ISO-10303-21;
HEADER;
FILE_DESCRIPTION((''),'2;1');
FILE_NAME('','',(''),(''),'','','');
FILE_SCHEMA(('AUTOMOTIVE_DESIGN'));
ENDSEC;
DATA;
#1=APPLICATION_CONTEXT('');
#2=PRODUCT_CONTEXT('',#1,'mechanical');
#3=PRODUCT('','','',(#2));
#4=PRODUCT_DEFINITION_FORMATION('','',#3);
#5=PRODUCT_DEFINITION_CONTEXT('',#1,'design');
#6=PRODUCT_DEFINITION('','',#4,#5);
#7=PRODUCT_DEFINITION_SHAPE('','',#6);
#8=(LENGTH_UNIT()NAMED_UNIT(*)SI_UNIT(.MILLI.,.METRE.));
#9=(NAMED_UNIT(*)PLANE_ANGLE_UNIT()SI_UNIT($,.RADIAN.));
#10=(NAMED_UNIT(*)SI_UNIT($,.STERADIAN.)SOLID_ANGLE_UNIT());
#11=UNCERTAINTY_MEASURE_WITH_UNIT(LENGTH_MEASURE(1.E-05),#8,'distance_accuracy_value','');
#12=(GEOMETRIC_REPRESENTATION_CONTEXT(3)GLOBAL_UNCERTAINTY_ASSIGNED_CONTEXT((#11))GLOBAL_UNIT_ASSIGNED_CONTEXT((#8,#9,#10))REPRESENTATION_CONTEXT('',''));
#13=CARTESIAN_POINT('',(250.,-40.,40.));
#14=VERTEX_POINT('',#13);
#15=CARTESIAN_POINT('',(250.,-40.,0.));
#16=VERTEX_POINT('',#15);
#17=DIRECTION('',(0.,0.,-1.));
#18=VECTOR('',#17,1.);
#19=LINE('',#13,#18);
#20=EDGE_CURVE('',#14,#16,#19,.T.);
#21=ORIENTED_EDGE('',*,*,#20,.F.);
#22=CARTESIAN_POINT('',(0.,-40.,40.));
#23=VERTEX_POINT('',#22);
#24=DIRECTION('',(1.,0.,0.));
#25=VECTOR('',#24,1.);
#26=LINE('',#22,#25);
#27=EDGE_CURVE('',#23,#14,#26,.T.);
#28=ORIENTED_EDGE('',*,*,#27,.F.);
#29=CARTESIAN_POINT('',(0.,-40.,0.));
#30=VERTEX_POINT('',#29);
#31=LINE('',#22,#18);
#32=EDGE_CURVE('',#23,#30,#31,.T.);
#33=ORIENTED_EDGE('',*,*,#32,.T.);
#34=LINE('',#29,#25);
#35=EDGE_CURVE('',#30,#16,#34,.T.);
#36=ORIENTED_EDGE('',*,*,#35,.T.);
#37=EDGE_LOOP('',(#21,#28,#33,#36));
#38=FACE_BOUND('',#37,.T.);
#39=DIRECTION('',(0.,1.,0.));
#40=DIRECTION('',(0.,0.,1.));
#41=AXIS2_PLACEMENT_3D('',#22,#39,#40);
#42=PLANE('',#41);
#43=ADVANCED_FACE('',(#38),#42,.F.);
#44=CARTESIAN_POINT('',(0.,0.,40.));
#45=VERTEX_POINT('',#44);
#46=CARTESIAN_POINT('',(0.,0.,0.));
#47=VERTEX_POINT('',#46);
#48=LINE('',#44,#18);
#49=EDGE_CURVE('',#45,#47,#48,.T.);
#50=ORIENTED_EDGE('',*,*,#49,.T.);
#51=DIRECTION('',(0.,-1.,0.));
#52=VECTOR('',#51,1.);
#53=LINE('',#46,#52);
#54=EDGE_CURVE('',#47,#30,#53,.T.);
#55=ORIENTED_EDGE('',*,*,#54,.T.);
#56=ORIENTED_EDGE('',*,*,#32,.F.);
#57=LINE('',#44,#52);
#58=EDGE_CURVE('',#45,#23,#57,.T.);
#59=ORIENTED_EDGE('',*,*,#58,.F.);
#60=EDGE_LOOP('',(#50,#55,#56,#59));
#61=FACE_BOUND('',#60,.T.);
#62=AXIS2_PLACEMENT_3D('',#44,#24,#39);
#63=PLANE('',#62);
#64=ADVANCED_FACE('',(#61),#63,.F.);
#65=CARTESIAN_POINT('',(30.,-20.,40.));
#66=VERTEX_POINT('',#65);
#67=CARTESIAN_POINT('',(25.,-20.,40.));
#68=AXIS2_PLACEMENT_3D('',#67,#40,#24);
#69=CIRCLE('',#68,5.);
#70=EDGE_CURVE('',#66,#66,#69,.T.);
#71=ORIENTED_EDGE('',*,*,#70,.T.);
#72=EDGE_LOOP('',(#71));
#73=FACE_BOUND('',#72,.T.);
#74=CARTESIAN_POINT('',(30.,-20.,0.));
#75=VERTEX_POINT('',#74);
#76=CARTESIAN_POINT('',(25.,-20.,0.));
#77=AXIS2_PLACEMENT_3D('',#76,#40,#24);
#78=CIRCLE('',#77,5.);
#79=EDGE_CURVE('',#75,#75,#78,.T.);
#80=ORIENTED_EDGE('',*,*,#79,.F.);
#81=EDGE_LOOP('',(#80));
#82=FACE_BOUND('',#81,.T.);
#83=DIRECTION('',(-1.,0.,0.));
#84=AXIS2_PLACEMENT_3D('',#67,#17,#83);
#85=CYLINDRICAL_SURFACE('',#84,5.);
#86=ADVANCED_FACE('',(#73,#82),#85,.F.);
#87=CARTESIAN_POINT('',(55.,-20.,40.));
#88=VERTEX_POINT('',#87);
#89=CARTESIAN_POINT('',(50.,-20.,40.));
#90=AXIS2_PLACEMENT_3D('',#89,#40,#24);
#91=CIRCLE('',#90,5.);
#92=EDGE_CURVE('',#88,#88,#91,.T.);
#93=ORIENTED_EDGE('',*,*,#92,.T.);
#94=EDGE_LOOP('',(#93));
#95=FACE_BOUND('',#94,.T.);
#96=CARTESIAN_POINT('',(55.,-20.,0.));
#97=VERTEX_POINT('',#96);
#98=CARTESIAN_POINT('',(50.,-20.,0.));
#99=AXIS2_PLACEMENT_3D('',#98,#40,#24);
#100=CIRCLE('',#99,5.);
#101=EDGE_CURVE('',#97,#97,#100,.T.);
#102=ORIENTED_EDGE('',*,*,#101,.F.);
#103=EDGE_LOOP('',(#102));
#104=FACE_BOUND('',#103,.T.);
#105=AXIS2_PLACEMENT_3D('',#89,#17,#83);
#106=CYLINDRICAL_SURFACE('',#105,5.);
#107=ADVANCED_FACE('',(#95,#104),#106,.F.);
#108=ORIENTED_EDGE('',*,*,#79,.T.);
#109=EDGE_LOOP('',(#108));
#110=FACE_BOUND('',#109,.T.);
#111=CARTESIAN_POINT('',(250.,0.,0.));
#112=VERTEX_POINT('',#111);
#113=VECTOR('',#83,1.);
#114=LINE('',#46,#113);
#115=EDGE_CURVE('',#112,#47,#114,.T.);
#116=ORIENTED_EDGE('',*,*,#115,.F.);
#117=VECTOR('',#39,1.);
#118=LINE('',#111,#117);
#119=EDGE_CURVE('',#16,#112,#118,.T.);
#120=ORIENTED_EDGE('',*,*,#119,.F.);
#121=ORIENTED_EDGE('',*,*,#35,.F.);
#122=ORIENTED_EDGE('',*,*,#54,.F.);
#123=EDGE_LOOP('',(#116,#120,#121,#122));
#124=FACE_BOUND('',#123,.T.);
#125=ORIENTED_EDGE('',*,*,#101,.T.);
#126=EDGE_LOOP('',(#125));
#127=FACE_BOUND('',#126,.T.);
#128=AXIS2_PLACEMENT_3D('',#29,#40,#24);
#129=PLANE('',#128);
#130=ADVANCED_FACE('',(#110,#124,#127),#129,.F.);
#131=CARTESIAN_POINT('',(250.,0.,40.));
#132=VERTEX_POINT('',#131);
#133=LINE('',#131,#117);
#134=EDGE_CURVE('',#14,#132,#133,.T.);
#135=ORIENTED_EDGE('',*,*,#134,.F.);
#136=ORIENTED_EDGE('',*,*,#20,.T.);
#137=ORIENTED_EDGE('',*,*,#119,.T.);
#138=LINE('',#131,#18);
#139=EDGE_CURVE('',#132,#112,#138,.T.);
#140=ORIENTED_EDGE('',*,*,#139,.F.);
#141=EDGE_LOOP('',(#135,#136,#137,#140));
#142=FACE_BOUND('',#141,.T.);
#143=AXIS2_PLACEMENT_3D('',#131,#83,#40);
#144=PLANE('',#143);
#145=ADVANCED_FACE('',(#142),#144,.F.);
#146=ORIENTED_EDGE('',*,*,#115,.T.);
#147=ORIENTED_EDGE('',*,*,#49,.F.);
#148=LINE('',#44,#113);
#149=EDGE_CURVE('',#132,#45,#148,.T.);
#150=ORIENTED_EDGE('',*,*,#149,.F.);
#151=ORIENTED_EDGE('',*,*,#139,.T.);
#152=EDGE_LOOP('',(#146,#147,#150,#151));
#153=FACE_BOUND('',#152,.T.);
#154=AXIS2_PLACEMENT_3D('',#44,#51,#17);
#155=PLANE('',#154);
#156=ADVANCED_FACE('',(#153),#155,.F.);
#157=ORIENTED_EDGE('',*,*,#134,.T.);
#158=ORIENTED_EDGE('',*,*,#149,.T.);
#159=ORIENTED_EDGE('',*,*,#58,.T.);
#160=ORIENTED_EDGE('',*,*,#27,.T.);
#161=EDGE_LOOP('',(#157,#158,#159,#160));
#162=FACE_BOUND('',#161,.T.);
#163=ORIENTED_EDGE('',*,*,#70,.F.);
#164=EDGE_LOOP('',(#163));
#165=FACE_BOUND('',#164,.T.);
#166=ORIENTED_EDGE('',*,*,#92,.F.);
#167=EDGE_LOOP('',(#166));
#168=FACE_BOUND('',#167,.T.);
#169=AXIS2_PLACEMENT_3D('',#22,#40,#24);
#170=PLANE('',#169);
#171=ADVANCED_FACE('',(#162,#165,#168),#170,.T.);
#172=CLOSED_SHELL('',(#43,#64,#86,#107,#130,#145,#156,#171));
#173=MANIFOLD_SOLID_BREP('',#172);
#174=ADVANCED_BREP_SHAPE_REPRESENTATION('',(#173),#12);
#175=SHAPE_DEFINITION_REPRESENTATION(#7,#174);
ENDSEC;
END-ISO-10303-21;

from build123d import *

# Parameters (mm, degrees)
SKETCH1_W           = 250
SKETCH1_H           = 40
SKETCH1_R           = 5
BOSS_EXTRUDE1_DEPTH = 40


with BuildPart() as part:
    # Sketch1 → Boss-Extrude1 (new body)
    with BuildSketch(Plane.XY):
        with Locations((125, -20)):
            Rectangle(SKETCH1_W, SKETCH1_H)
        with Locations((25, -20)):
            Circle(SKETCH1_R, mode=Mode.SUBTRACT)
        with Locations((50, -20)):
            Circle(SKETCH1_R, mode=Mode.SUBTRACT)
    extrude(amount=BOSS_EXTRUDE1_DEPTH)


solid = part.part
